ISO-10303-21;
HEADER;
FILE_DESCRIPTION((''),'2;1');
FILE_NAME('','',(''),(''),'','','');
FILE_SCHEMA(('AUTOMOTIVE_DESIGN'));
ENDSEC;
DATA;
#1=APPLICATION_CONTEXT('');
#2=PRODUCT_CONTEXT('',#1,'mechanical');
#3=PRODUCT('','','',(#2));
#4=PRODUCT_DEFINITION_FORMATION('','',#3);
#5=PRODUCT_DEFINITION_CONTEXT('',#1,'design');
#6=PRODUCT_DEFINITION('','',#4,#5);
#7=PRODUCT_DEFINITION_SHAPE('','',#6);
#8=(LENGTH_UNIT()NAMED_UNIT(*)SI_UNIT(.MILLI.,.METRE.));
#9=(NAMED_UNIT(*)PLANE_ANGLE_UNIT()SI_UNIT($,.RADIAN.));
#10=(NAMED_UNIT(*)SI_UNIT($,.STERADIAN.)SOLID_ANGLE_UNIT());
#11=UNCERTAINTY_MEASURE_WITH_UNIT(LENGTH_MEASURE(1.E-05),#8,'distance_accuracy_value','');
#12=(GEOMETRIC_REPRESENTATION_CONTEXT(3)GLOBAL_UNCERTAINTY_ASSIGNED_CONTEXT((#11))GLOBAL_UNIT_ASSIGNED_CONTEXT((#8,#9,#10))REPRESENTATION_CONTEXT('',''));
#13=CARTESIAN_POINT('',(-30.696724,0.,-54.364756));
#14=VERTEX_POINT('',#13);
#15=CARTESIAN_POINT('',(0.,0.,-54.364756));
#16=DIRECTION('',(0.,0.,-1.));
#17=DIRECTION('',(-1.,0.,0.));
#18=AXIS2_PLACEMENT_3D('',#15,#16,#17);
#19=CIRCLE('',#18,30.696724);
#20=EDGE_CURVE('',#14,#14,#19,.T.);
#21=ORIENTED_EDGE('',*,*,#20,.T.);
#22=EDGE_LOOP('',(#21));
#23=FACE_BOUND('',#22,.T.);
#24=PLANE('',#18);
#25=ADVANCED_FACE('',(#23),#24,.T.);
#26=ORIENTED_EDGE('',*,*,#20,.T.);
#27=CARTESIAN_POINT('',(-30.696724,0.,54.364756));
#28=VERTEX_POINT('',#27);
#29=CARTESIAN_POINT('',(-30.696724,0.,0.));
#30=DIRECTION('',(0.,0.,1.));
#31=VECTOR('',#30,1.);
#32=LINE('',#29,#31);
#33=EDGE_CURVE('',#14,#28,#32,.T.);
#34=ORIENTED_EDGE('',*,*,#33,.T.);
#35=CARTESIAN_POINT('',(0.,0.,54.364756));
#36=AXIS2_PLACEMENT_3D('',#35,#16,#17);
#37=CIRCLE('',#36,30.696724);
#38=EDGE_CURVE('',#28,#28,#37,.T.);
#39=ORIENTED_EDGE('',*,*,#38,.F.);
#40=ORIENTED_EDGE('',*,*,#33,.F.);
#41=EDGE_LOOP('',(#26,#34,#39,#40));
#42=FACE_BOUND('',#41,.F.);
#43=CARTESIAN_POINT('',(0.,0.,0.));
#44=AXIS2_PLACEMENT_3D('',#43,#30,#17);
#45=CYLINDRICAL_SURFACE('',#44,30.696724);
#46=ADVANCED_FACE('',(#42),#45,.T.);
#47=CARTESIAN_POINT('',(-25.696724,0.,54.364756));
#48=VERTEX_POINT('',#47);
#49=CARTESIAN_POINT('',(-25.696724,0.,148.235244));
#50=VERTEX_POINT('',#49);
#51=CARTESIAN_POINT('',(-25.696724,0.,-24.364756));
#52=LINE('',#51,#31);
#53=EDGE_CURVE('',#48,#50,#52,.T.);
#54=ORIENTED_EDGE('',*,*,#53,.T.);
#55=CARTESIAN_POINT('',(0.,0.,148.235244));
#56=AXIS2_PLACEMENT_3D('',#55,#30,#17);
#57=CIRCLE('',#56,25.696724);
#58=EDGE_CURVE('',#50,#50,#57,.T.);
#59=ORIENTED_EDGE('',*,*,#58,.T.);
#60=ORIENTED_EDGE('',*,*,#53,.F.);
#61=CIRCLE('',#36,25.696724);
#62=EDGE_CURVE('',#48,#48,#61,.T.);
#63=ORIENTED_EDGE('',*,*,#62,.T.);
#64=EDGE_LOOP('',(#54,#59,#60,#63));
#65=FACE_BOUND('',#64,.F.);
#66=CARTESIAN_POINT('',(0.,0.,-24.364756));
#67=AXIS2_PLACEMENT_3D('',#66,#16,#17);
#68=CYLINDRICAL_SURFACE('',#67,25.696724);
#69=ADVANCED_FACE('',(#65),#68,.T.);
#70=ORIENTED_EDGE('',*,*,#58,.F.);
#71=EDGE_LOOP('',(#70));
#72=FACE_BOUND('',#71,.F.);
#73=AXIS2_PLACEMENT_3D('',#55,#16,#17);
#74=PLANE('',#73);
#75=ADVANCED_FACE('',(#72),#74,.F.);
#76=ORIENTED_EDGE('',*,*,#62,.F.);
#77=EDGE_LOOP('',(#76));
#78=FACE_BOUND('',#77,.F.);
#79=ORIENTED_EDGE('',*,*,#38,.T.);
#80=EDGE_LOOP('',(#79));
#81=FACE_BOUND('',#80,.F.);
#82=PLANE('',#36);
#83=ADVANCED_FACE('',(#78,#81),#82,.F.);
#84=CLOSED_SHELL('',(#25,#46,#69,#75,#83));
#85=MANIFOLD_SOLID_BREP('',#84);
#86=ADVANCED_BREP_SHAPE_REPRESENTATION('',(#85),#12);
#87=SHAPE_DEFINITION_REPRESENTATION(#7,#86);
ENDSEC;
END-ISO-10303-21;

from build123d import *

# Parameters (mm, degrees)
F0_W     = 30.6967236102
F0_H     = 108.7295114994
F2_T     = -5
F3_DEPTH = 25
F4_DEPTH = 172.6


with BuildPart() as f1:
    # F0 (on Front) → F1 (revolve)
    with BuildSketch(Plane.XZ):
        with Locations((-15.3483618051, 0)):
            Rectangle(F0_W, F0_H)
    revolve(axis=Axis((0, 0, -2.295082435), (0, 0, -1)))

    # F2
    f2_openings = [f1.faces().sort_by_distance(p)[0] for p in [
        (0, 0, 54.364756),
    ]]
    offset(amount=F2_T, openings=f2_openings)

    # F3 (add): a face of the model
    f3_faces = [f1.faces().sort_by_distance(p)[0] for p in [
        (0, 0, -49.3647557497),
    ]]
    extrude(f3_faces, amount=F3_DEPTH)

    # F4 (add): a face of the model
    f4_faces = [f1.faces().sort_by_distance(p)[0] for p in [
        (0, 0, -24.3647557497),
    ]]
    extrude(f4_faces, amount=F4_DEPTH)


solid = f1.part
